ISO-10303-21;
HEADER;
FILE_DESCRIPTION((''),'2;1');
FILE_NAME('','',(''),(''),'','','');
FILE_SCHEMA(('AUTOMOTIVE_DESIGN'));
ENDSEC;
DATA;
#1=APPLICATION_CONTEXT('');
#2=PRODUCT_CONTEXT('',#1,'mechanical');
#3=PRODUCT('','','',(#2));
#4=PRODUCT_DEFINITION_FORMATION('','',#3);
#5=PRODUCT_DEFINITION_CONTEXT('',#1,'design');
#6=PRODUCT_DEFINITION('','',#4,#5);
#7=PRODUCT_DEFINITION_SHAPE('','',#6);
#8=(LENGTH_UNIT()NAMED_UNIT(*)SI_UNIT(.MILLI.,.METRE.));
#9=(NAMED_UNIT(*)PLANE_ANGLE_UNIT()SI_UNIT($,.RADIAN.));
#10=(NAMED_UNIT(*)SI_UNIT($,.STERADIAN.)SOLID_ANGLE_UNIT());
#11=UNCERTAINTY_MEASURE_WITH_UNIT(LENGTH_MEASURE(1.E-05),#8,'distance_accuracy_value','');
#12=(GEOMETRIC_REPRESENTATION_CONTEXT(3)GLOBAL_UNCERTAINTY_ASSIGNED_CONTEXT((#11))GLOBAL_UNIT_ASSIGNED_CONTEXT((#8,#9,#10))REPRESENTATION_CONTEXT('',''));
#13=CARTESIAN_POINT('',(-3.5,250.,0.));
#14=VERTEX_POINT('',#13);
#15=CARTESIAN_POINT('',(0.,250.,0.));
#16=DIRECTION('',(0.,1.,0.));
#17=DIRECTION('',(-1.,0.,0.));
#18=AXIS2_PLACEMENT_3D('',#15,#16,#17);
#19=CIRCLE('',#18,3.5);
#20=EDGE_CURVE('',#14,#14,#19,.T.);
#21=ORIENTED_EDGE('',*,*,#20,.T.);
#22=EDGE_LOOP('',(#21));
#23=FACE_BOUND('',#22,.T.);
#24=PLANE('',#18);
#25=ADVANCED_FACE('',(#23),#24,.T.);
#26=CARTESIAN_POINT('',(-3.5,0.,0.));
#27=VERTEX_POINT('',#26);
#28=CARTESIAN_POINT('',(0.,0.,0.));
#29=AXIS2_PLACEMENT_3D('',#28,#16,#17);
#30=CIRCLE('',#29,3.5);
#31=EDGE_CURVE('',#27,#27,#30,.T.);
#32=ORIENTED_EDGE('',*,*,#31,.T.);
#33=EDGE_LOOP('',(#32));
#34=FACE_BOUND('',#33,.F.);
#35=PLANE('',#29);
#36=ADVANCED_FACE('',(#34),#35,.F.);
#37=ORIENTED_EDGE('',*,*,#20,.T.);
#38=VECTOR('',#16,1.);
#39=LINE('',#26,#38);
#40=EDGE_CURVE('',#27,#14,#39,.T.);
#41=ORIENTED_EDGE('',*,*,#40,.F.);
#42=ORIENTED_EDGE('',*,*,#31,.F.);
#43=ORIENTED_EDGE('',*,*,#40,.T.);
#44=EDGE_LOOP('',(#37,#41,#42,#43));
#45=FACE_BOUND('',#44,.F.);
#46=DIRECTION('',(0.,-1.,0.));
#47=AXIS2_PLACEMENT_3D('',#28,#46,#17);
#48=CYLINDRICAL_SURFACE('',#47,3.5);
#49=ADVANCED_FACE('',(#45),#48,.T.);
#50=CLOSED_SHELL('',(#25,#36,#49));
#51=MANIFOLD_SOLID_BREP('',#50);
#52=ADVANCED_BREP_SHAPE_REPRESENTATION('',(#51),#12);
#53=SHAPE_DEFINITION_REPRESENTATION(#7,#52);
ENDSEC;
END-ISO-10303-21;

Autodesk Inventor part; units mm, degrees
ref_plane "YZ Plane" through (0, 0, 0) normal (1, 0, 0) x (0, 1, 0)
ref_plane "XZ Plane" through (0, 0, 0) normal (0, 1, 0) x (-1, 0, 0)
ref_plane "XY Plane" through (0, 0, 0) normal (0, 0, 1) x (1, 0, 0)
sketch "Skizze1" plane through (0, 0, 0) normal (0, 1, 0) x (-1, 0, 0)
  circle A0 centre (0, 0) radius 3.5
  dimension "d0" = 7
extrude "Extrusion1" add sketch "Skizze1" along normal blind 250
properties part number "kabel"
